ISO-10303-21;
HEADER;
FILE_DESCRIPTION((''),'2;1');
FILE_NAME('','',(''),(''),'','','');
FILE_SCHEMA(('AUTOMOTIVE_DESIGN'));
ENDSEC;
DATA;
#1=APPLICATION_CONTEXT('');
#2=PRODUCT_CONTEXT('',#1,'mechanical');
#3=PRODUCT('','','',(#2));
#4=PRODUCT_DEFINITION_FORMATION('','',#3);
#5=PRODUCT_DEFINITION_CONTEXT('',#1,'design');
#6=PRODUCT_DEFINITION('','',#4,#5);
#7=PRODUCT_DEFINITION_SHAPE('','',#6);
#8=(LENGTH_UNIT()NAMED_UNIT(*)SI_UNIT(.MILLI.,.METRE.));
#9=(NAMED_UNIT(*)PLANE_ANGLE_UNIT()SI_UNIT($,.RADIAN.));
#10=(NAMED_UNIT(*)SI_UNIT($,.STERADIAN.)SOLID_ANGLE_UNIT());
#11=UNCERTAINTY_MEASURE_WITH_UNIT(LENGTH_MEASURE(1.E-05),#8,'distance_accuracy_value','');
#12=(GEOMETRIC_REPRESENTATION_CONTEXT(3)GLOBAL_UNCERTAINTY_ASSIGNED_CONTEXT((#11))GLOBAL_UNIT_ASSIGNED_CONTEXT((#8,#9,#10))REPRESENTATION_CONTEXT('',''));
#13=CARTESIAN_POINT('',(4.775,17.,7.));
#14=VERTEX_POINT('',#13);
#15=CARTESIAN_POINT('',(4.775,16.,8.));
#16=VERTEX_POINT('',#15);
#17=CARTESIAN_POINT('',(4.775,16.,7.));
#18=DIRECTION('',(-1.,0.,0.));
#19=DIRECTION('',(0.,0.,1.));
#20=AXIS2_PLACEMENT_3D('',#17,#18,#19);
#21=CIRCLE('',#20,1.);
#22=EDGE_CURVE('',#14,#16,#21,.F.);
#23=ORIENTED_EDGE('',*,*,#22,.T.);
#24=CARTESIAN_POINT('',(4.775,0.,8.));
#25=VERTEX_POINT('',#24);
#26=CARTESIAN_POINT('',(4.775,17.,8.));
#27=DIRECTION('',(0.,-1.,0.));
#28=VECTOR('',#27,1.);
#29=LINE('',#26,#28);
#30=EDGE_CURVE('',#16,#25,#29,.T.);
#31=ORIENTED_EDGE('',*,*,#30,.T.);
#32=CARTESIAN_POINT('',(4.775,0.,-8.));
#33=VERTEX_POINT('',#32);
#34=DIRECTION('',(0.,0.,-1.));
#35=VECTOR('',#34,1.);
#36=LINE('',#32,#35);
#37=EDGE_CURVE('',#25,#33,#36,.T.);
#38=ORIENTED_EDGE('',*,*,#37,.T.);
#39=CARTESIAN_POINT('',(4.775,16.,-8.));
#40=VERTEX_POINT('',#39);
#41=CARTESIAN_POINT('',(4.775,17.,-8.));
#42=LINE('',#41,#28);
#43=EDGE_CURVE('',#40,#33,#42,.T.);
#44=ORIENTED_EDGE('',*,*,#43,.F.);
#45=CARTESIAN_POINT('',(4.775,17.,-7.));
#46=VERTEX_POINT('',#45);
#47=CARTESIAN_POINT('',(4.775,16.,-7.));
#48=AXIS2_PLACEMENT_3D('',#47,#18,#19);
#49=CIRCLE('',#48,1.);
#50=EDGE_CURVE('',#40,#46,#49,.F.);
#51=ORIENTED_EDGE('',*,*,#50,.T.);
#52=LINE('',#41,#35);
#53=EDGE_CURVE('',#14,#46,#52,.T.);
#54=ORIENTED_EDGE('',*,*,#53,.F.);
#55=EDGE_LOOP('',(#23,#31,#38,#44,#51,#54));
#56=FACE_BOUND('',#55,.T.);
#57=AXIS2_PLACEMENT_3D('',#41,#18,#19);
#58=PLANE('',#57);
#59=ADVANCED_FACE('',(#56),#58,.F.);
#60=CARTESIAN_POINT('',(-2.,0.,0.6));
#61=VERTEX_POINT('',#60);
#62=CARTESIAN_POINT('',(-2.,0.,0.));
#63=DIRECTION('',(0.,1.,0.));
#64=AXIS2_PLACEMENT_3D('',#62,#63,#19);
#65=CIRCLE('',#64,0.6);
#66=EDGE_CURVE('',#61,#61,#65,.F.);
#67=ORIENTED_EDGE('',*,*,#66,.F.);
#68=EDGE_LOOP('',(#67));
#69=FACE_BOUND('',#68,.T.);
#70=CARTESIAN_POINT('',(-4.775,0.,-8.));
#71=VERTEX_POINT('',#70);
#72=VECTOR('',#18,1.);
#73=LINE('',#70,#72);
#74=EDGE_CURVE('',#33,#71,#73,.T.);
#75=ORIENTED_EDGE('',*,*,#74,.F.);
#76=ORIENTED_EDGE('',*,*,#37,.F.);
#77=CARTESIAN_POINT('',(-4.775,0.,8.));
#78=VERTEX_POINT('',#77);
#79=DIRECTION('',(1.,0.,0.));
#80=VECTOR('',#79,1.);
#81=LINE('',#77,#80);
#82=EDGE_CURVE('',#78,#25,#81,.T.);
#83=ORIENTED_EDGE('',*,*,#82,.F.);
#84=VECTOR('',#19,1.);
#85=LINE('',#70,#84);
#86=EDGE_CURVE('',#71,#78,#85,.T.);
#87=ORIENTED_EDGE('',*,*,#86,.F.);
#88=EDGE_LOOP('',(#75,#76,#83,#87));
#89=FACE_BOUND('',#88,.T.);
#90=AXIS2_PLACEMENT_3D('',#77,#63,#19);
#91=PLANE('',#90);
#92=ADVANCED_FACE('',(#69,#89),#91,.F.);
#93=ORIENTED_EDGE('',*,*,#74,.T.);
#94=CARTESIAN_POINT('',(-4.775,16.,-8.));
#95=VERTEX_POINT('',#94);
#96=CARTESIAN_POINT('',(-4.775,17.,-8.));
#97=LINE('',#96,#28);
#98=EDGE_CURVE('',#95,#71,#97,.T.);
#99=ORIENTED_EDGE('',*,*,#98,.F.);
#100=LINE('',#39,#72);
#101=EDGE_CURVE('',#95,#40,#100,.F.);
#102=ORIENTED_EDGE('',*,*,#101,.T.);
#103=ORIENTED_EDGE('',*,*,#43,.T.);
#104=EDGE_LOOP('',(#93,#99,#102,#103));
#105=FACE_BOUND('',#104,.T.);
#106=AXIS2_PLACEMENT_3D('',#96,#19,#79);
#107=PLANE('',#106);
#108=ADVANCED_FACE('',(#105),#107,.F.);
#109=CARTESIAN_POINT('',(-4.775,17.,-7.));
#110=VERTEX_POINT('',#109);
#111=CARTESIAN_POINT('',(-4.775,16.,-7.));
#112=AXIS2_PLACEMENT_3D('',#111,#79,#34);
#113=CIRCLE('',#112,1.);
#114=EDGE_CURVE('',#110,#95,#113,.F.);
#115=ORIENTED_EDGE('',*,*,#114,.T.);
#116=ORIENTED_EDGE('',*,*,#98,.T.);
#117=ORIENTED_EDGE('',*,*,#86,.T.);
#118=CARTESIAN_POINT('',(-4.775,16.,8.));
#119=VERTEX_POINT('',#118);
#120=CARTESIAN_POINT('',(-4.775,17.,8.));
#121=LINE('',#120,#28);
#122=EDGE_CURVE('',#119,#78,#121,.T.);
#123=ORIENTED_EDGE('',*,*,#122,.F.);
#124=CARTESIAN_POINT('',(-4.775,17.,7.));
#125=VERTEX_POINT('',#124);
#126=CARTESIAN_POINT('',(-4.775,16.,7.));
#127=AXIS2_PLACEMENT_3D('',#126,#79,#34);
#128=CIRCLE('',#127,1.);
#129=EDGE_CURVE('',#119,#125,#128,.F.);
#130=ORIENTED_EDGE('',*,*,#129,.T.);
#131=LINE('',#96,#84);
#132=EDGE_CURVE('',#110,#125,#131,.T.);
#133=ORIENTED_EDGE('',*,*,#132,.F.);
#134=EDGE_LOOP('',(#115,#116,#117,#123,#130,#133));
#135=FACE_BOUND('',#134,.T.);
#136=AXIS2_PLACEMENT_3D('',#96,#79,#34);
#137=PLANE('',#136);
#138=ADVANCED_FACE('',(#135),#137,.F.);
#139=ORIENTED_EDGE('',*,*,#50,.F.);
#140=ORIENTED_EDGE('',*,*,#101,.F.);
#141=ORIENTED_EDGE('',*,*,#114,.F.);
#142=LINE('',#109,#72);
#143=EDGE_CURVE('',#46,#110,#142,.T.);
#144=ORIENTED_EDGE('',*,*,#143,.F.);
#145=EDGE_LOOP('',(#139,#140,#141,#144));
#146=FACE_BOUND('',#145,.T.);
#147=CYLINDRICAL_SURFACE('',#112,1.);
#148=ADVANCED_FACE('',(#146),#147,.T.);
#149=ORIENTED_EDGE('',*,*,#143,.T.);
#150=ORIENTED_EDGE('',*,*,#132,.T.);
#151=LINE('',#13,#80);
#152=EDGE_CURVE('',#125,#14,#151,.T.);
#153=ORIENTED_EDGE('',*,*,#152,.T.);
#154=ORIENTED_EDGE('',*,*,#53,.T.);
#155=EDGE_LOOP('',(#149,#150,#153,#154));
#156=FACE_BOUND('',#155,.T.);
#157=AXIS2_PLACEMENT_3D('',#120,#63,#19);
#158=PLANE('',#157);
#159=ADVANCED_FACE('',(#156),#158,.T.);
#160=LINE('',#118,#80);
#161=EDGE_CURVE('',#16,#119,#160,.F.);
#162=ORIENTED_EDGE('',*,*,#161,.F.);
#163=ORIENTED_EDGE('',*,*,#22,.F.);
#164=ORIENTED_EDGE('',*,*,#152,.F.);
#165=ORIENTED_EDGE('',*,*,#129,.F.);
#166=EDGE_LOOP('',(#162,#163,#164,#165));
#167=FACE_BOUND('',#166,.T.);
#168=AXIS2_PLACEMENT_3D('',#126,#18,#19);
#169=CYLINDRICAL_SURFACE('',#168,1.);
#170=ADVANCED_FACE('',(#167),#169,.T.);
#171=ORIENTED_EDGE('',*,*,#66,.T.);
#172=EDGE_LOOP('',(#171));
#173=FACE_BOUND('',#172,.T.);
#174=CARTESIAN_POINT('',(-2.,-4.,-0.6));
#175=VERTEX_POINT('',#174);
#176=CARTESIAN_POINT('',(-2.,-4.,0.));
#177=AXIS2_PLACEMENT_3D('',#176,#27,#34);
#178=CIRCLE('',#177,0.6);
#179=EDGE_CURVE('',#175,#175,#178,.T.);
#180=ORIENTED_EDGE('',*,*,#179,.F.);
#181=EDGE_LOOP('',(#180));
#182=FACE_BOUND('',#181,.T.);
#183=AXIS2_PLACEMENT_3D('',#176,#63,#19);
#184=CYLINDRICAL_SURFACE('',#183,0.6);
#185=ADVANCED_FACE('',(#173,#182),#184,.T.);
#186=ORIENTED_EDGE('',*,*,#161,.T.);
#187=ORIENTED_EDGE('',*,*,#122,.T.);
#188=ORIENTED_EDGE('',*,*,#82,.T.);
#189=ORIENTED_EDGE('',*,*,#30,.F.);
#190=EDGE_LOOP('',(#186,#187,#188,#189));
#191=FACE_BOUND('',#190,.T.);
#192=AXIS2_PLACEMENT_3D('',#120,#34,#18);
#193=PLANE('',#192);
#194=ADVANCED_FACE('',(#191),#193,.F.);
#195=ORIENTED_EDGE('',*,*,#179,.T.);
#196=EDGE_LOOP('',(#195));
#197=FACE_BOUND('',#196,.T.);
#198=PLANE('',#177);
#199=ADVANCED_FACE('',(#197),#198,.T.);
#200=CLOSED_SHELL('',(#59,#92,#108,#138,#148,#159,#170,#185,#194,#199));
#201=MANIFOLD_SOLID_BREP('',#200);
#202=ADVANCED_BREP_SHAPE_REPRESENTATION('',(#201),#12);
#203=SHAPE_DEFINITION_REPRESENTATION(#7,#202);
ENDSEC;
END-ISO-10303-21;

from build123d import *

# Parameters (mm, degrees)
SKETCH_1_W      = 9.55
SKETCH_1_H      = 16
EXTRUDE_1_DEPTH = 17
SKETCH_2_R      = 0.6
EXTRUDE_2_DEPTH = 4
FILLET_1_R      = 1


with BuildPart() as part:
    # 草图1 → 拉伸1 (new body)
    with BuildSketch(Plane(origin=(0, 0, 0), x_dir=(1, 0, 0), z_dir=(0, 1, 0))):
        Rectangle(SKETCH_1_W, SKETCH_1_H)
    extrude(amount=EXTRUDE_1_DEPTH)

    # 草图2 → 拉伸2 (add)
    with BuildSketch(Plane.XZ):
        with Locations(Location((-2, 0, 0), (0, 0, 90))):
            Circle(SKETCH_2_R)
    extrude(amount=EXTRUDE_2_DEPTH)

    # 圆角1
    fillet_1_edges = [part.edges().sort_by_distance(p)[0] for p in [
        (0, 17, -8),
        (0, 17, 8),
    ]]
    fillet(fillet_1_edges, radius=FILLET_1_R)


solid = part.part
